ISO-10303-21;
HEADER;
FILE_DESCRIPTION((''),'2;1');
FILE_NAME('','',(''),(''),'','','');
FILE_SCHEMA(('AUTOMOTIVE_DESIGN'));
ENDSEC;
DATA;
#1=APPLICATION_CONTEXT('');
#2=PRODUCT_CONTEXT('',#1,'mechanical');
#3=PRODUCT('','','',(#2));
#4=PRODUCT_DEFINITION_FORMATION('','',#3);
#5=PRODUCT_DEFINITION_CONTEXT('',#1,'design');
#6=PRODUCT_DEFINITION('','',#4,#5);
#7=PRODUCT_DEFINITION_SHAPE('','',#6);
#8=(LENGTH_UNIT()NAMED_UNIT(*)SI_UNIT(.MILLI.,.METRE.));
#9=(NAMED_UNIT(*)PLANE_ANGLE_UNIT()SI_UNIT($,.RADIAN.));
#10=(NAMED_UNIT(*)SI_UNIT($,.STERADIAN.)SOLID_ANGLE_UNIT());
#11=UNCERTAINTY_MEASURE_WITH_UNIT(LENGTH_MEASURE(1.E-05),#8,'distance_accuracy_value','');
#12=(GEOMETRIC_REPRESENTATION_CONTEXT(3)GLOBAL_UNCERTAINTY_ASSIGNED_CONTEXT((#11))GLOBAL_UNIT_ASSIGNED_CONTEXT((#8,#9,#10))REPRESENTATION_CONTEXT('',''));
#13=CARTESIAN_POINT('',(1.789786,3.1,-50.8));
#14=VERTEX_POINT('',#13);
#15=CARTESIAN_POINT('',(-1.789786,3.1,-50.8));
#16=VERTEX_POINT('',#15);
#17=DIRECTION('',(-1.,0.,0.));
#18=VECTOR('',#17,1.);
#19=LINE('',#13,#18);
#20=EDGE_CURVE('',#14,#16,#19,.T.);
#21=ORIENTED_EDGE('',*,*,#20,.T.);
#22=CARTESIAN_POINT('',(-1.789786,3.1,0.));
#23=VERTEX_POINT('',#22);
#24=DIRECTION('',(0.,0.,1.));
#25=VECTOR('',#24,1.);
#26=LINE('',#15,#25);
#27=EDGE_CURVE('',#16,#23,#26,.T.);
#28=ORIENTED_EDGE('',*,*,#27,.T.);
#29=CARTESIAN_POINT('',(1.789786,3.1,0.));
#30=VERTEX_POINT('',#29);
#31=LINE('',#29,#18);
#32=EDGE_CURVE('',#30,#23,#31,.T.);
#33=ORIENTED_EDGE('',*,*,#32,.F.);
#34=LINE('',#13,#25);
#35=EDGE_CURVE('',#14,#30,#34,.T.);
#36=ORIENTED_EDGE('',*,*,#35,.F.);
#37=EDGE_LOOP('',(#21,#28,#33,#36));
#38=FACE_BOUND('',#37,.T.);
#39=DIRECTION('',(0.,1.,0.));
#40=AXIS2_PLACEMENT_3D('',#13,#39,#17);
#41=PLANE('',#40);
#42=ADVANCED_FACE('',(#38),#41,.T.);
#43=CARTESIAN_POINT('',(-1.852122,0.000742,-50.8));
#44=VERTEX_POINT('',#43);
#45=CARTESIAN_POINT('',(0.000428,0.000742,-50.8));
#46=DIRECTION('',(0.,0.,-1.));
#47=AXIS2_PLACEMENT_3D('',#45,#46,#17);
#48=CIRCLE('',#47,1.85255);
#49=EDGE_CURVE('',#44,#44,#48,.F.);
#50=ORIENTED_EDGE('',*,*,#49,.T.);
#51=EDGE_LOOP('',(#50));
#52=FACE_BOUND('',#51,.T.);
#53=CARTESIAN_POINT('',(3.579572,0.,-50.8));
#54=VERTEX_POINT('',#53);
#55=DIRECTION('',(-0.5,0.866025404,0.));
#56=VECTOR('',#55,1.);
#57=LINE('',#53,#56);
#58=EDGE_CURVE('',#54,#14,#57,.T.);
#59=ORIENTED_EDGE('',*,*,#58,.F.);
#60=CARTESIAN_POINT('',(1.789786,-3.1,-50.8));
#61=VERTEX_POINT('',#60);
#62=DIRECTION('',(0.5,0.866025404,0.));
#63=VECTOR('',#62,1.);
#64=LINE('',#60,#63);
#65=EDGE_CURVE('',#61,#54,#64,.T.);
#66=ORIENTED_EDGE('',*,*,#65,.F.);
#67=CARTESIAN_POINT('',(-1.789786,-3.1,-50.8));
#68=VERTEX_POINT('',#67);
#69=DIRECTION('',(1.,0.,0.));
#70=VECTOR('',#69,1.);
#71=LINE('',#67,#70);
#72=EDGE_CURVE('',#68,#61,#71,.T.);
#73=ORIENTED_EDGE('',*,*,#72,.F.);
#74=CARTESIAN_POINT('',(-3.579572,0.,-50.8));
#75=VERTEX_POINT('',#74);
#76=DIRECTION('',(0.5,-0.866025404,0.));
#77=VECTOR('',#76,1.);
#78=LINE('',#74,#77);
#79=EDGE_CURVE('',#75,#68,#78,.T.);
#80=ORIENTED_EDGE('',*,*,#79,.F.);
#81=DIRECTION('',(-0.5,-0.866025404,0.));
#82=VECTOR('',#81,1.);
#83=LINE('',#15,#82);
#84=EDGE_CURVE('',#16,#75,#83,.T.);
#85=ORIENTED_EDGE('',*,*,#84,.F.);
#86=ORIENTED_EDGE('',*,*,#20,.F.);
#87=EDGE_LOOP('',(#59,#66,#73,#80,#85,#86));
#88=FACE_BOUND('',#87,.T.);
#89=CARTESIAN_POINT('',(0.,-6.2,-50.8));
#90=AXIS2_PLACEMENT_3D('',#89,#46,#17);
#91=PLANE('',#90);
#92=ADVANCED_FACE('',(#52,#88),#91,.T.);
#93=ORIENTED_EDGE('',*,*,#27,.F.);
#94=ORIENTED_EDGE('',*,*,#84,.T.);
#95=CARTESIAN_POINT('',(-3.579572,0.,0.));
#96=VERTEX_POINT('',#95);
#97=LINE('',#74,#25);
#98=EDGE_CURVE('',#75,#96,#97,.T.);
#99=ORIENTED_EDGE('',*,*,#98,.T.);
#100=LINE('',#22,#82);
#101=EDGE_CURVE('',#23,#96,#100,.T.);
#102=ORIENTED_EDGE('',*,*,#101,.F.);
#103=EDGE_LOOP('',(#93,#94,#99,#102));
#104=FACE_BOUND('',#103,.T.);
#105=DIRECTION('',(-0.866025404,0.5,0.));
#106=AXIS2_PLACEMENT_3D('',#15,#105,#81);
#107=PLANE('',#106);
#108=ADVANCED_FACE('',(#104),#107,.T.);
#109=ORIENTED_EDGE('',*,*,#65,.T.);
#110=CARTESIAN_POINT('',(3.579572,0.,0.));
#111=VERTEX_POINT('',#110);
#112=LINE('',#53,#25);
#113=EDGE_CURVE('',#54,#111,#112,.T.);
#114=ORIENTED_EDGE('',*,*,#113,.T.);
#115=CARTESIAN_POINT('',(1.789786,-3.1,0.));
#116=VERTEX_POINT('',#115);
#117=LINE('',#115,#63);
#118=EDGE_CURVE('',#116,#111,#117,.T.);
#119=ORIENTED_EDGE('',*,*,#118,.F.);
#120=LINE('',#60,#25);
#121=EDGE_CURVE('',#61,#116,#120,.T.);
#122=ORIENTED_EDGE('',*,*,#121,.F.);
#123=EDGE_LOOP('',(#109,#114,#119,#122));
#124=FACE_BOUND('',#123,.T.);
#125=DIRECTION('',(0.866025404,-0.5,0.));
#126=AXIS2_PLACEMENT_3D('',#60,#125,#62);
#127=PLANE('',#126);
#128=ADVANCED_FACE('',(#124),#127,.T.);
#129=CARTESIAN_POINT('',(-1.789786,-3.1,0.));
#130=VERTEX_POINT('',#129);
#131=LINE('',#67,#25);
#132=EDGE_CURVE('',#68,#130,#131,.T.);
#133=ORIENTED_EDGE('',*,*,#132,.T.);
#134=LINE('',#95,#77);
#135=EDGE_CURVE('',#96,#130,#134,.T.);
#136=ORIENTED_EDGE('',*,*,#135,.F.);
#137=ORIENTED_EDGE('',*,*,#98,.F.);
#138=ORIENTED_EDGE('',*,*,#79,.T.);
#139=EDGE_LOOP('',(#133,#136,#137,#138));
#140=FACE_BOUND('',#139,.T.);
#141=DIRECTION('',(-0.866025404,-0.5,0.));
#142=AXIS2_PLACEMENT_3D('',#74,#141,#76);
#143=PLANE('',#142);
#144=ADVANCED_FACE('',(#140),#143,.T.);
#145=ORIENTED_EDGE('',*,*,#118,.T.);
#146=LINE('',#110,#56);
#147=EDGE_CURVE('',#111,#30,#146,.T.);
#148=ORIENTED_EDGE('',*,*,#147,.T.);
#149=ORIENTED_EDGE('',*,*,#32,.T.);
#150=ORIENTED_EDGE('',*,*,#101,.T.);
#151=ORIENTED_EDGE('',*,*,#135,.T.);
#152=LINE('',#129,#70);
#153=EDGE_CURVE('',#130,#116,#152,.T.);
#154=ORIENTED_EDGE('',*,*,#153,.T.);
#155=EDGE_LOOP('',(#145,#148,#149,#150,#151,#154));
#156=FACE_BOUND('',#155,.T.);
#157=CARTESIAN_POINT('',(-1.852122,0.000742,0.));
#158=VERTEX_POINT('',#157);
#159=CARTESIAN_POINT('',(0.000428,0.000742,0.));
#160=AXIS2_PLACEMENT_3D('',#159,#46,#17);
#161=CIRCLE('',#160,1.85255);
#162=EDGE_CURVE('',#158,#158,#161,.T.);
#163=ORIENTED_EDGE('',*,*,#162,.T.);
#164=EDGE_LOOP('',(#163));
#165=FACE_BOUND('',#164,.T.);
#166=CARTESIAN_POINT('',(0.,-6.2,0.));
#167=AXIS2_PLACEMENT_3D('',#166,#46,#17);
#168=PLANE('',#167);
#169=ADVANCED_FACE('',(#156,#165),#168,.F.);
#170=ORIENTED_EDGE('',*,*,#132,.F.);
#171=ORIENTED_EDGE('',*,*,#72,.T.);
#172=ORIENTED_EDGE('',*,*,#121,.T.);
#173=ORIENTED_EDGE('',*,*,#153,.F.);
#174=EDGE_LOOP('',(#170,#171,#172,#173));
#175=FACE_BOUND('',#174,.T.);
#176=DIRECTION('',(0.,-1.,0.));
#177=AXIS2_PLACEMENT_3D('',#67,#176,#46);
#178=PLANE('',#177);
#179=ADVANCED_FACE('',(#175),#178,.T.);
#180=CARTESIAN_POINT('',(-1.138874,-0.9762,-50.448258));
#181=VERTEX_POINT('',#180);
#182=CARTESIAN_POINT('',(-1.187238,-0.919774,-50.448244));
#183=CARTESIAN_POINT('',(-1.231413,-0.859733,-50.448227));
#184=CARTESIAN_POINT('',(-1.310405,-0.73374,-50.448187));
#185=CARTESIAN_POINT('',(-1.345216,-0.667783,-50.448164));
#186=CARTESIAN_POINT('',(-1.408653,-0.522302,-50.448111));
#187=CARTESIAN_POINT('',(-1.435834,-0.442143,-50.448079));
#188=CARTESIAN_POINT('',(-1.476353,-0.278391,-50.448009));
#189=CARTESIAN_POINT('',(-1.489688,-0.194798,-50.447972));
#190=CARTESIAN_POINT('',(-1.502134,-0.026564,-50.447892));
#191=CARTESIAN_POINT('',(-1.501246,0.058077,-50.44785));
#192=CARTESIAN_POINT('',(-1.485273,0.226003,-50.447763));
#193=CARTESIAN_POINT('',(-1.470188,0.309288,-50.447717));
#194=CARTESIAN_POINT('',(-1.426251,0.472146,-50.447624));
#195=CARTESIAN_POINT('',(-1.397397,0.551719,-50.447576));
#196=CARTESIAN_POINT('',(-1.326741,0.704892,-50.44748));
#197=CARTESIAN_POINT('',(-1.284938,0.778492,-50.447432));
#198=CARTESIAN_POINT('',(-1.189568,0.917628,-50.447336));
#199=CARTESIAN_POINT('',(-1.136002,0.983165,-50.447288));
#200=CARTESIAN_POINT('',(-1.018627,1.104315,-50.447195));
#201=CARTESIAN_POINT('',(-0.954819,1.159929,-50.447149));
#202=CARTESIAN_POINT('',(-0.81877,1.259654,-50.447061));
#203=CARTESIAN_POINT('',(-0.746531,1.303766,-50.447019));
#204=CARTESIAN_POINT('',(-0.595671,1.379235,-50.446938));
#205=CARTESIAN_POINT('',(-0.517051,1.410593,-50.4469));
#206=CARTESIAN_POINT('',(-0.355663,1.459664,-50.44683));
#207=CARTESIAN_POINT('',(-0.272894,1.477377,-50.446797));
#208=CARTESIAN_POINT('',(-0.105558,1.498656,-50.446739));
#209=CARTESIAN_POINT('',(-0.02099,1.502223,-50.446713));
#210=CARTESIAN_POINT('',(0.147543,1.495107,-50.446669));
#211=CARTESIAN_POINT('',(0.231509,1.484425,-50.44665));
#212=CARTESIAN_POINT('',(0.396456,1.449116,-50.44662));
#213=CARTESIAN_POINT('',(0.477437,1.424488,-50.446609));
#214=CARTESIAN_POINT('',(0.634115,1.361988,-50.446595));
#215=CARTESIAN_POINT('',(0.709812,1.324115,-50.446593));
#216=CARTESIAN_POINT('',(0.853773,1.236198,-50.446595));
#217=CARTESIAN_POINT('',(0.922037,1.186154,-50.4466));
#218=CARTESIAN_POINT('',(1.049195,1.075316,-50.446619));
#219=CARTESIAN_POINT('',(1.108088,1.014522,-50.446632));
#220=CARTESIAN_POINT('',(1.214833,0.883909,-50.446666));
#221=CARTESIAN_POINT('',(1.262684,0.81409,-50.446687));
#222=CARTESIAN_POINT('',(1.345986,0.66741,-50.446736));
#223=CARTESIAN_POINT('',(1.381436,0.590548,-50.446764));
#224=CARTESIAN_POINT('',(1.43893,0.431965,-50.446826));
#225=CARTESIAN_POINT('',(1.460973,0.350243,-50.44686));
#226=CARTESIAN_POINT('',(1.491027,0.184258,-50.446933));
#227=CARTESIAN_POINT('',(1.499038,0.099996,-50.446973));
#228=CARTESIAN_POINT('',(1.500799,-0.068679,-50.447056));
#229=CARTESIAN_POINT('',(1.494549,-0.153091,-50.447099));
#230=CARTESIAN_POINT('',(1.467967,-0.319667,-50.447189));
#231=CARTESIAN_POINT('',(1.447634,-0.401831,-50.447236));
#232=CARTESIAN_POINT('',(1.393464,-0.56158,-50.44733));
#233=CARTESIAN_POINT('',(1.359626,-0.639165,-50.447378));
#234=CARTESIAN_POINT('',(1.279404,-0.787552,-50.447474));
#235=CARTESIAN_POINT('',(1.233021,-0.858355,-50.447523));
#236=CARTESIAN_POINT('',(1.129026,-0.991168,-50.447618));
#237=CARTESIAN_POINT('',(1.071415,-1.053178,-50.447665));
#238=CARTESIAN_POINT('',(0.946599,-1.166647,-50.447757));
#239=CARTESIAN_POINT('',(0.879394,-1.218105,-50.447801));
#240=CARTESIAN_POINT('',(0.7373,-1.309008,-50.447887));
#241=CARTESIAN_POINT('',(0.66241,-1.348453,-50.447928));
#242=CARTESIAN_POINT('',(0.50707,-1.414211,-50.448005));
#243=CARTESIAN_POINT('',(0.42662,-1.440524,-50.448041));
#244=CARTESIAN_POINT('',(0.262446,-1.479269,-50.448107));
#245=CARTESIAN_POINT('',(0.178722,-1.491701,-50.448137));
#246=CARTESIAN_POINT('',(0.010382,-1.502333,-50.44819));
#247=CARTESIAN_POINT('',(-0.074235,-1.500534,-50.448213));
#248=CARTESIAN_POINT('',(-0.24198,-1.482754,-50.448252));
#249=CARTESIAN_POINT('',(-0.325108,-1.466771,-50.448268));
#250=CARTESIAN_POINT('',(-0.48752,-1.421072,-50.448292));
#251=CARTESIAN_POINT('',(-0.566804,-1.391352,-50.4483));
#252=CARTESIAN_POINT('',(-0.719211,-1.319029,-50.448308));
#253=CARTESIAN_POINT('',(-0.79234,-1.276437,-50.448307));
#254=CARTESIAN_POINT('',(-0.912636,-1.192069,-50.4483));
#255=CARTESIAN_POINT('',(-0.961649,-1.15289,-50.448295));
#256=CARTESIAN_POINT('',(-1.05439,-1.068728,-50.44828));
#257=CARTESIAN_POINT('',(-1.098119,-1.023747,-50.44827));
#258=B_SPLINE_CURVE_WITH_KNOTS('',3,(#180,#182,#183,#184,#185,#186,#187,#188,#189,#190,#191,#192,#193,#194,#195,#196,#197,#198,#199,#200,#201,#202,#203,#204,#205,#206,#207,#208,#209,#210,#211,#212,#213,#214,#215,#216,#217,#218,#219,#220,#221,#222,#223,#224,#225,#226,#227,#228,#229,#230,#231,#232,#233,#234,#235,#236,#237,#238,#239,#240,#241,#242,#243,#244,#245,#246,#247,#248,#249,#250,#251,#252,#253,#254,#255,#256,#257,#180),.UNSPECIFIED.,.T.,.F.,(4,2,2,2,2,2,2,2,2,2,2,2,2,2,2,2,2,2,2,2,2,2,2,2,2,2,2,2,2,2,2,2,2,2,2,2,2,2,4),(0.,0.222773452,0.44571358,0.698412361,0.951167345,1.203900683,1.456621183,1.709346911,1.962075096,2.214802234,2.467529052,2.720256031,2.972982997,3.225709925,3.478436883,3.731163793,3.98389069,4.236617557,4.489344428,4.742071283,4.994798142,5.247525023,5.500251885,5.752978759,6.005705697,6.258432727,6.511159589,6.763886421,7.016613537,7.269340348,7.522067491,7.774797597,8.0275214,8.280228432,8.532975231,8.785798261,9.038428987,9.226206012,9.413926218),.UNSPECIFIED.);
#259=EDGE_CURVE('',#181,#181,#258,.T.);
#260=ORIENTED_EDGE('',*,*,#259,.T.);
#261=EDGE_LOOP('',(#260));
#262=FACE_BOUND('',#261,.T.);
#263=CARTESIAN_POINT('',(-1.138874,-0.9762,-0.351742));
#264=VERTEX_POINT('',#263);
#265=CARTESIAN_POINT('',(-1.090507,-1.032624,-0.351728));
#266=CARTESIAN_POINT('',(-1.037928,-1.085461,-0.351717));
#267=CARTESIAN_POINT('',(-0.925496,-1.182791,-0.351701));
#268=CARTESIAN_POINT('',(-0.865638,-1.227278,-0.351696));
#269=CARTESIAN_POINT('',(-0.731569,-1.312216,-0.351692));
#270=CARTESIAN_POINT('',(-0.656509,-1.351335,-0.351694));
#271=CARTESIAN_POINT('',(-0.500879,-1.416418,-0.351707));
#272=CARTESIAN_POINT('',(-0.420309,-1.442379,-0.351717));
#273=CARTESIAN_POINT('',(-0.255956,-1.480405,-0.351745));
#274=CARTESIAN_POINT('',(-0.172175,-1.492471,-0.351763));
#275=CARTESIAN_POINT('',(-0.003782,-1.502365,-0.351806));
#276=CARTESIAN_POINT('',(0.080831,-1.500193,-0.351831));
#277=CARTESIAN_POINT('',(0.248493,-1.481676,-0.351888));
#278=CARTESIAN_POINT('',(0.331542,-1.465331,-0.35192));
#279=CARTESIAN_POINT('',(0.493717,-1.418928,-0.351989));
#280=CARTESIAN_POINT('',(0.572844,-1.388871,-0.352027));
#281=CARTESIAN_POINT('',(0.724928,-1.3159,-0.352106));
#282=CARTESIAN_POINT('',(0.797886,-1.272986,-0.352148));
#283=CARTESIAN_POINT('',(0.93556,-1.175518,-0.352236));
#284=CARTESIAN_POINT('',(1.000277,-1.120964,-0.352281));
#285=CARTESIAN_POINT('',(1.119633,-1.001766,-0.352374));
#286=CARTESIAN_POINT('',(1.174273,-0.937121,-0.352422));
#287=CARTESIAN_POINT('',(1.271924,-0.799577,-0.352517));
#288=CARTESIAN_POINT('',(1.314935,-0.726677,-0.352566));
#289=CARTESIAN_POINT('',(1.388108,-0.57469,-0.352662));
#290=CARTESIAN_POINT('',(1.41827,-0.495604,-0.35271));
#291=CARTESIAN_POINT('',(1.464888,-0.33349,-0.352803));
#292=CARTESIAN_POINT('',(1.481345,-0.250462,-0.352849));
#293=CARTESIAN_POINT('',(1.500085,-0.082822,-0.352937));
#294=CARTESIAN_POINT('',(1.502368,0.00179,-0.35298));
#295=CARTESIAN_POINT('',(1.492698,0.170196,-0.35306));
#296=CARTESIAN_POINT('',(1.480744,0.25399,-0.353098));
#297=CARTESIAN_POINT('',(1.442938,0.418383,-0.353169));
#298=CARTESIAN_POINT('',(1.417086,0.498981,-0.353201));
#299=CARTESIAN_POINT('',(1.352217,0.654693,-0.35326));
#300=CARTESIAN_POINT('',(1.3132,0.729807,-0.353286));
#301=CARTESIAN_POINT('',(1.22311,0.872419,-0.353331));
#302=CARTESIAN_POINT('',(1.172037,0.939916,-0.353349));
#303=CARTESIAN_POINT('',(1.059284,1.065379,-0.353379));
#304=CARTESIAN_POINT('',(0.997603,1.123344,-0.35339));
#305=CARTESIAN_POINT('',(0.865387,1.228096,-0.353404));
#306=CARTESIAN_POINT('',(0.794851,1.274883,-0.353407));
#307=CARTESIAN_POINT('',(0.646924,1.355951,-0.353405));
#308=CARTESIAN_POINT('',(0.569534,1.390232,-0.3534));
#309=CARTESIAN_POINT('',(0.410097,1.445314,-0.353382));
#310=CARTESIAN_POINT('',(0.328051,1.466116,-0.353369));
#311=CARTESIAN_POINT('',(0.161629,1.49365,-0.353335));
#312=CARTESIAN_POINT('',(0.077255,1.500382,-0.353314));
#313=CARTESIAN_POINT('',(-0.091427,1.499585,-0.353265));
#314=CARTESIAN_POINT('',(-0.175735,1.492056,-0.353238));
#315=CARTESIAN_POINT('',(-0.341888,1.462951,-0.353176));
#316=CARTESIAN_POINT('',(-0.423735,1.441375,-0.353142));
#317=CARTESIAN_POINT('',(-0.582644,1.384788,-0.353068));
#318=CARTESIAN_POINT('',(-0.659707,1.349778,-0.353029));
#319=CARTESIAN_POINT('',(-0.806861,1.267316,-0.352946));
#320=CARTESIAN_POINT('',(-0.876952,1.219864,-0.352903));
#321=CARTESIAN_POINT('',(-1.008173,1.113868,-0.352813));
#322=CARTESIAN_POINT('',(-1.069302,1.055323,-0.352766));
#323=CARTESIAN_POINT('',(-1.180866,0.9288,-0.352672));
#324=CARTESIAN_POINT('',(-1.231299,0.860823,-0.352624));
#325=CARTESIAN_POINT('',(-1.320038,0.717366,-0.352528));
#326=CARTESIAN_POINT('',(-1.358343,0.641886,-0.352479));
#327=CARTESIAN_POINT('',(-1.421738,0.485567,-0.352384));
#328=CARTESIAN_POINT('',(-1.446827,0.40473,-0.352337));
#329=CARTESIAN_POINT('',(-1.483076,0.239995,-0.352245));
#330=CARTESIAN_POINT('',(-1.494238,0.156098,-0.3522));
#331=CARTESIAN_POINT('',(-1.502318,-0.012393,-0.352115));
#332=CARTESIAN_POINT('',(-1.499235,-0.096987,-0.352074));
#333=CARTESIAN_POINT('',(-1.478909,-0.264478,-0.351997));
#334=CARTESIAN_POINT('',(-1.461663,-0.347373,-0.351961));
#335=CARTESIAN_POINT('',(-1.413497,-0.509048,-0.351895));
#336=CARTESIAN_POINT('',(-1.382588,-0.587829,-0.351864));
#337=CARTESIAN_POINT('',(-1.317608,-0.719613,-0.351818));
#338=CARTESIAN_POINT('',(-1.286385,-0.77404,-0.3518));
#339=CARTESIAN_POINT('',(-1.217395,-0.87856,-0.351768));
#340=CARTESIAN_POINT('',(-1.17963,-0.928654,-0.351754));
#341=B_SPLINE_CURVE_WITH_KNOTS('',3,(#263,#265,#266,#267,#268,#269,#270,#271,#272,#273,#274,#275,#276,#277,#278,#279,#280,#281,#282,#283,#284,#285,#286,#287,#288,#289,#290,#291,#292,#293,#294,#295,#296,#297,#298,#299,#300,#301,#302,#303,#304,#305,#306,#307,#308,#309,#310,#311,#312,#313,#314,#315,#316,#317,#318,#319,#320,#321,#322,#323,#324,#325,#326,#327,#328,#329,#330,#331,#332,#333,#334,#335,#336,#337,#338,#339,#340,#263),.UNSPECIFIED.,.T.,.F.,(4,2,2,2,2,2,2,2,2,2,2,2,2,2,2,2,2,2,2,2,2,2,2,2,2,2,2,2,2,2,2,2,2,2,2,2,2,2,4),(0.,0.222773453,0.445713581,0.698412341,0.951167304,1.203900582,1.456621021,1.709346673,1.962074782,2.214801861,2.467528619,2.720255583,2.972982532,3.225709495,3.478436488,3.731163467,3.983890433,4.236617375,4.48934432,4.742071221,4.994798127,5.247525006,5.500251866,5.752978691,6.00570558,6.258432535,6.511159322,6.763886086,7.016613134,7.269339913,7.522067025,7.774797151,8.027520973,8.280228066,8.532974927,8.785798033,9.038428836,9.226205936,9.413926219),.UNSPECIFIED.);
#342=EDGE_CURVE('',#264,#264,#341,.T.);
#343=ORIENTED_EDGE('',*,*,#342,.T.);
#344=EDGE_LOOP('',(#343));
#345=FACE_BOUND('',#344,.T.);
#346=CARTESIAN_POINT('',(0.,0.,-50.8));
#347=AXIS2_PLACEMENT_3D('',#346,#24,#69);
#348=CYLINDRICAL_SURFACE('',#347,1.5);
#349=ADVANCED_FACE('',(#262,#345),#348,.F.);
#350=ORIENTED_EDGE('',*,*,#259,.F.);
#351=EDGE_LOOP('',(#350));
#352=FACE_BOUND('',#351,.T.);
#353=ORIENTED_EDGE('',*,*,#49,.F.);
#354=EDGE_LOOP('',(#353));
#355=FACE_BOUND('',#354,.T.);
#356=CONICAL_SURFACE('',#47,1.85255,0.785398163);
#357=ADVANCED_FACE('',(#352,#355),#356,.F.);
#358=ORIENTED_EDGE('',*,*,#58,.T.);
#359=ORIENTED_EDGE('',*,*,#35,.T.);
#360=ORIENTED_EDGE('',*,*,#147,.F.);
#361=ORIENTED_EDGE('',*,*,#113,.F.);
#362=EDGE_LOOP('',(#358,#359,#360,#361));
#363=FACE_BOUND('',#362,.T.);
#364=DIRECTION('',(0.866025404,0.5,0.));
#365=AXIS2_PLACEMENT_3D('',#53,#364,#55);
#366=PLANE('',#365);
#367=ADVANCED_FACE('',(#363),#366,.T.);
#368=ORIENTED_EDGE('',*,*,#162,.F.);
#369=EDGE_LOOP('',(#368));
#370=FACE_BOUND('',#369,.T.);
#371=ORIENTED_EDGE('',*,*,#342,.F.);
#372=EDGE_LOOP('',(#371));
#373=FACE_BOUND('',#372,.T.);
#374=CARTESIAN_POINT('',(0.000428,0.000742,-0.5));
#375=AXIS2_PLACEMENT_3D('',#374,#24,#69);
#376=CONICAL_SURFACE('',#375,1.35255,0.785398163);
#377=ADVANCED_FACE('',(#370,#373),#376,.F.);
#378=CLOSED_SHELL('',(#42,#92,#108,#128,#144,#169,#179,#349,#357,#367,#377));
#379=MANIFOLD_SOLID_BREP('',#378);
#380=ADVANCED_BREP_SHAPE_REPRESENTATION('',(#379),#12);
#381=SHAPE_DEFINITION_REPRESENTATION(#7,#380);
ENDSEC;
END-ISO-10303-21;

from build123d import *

# Parameters (mm, degrees)
EXTRUDE1_DEPTH        = 50.8
F_6_32_TAPPED_HOLE8_D = 2.7051
CHAMFER1_SIZE         = 0.5
CHAMFER2_SIZE         = 0.5
SKETCH15_R            = 1.5
CUT_EXTRUDE1_DEPTH    = 51.8


with BuildPart() as part:
    # Sketch1 → Extrude1 (new body)
    with BuildSketch(Plane.XY):
        Polygon((3.579571669, 0), (1.789785834, 3.1), (-1.789785834, 3.1), (-3.579571669, 0), (-1.789785834, -3.1), (1.789785834, -3.1), align=None)
    extrude(amount=-EXTRUDE1_DEPTH)

    # #6-32 Tapped Hole8 (through all)
    with Locations(Plane(origin=(0.000428254, 0.000741758, 0), x_dir=(1, 0, 0), z_dir=(0, 0, 1))):
        with Locations((0, 0)):
            Hole(F_6_32_TAPPED_HOLE8_D / 2)

    # Chamfer1
    chamfer1_edges = [part.edges().sort_by_distance(p)[0] for p in [
        (1.352978254, 0.000741758, 0),
    ]]
    chamfer(chamfer1_edges, length=CHAMFER1_SIZE)

    # Chamfer2
    chamfer2_edges = [part.edges().sort_by_distance(p)[0] for p in [
        (1.352978254, 0.000741758, -50.8),
    ]]
    chamfer(chamfer2_edges, length=CHAMFER2_SIZE)

    # Sketch15 → Cut-Extrude1 (cut, through all)
    with BuildSketch(Plane.XY):
        Circle(SKETCH15_R)
    extrude(amount=-CUT_EXTRUDE1_DEPTH, mode=Mode.SUBTRACT)


solid = part.part
